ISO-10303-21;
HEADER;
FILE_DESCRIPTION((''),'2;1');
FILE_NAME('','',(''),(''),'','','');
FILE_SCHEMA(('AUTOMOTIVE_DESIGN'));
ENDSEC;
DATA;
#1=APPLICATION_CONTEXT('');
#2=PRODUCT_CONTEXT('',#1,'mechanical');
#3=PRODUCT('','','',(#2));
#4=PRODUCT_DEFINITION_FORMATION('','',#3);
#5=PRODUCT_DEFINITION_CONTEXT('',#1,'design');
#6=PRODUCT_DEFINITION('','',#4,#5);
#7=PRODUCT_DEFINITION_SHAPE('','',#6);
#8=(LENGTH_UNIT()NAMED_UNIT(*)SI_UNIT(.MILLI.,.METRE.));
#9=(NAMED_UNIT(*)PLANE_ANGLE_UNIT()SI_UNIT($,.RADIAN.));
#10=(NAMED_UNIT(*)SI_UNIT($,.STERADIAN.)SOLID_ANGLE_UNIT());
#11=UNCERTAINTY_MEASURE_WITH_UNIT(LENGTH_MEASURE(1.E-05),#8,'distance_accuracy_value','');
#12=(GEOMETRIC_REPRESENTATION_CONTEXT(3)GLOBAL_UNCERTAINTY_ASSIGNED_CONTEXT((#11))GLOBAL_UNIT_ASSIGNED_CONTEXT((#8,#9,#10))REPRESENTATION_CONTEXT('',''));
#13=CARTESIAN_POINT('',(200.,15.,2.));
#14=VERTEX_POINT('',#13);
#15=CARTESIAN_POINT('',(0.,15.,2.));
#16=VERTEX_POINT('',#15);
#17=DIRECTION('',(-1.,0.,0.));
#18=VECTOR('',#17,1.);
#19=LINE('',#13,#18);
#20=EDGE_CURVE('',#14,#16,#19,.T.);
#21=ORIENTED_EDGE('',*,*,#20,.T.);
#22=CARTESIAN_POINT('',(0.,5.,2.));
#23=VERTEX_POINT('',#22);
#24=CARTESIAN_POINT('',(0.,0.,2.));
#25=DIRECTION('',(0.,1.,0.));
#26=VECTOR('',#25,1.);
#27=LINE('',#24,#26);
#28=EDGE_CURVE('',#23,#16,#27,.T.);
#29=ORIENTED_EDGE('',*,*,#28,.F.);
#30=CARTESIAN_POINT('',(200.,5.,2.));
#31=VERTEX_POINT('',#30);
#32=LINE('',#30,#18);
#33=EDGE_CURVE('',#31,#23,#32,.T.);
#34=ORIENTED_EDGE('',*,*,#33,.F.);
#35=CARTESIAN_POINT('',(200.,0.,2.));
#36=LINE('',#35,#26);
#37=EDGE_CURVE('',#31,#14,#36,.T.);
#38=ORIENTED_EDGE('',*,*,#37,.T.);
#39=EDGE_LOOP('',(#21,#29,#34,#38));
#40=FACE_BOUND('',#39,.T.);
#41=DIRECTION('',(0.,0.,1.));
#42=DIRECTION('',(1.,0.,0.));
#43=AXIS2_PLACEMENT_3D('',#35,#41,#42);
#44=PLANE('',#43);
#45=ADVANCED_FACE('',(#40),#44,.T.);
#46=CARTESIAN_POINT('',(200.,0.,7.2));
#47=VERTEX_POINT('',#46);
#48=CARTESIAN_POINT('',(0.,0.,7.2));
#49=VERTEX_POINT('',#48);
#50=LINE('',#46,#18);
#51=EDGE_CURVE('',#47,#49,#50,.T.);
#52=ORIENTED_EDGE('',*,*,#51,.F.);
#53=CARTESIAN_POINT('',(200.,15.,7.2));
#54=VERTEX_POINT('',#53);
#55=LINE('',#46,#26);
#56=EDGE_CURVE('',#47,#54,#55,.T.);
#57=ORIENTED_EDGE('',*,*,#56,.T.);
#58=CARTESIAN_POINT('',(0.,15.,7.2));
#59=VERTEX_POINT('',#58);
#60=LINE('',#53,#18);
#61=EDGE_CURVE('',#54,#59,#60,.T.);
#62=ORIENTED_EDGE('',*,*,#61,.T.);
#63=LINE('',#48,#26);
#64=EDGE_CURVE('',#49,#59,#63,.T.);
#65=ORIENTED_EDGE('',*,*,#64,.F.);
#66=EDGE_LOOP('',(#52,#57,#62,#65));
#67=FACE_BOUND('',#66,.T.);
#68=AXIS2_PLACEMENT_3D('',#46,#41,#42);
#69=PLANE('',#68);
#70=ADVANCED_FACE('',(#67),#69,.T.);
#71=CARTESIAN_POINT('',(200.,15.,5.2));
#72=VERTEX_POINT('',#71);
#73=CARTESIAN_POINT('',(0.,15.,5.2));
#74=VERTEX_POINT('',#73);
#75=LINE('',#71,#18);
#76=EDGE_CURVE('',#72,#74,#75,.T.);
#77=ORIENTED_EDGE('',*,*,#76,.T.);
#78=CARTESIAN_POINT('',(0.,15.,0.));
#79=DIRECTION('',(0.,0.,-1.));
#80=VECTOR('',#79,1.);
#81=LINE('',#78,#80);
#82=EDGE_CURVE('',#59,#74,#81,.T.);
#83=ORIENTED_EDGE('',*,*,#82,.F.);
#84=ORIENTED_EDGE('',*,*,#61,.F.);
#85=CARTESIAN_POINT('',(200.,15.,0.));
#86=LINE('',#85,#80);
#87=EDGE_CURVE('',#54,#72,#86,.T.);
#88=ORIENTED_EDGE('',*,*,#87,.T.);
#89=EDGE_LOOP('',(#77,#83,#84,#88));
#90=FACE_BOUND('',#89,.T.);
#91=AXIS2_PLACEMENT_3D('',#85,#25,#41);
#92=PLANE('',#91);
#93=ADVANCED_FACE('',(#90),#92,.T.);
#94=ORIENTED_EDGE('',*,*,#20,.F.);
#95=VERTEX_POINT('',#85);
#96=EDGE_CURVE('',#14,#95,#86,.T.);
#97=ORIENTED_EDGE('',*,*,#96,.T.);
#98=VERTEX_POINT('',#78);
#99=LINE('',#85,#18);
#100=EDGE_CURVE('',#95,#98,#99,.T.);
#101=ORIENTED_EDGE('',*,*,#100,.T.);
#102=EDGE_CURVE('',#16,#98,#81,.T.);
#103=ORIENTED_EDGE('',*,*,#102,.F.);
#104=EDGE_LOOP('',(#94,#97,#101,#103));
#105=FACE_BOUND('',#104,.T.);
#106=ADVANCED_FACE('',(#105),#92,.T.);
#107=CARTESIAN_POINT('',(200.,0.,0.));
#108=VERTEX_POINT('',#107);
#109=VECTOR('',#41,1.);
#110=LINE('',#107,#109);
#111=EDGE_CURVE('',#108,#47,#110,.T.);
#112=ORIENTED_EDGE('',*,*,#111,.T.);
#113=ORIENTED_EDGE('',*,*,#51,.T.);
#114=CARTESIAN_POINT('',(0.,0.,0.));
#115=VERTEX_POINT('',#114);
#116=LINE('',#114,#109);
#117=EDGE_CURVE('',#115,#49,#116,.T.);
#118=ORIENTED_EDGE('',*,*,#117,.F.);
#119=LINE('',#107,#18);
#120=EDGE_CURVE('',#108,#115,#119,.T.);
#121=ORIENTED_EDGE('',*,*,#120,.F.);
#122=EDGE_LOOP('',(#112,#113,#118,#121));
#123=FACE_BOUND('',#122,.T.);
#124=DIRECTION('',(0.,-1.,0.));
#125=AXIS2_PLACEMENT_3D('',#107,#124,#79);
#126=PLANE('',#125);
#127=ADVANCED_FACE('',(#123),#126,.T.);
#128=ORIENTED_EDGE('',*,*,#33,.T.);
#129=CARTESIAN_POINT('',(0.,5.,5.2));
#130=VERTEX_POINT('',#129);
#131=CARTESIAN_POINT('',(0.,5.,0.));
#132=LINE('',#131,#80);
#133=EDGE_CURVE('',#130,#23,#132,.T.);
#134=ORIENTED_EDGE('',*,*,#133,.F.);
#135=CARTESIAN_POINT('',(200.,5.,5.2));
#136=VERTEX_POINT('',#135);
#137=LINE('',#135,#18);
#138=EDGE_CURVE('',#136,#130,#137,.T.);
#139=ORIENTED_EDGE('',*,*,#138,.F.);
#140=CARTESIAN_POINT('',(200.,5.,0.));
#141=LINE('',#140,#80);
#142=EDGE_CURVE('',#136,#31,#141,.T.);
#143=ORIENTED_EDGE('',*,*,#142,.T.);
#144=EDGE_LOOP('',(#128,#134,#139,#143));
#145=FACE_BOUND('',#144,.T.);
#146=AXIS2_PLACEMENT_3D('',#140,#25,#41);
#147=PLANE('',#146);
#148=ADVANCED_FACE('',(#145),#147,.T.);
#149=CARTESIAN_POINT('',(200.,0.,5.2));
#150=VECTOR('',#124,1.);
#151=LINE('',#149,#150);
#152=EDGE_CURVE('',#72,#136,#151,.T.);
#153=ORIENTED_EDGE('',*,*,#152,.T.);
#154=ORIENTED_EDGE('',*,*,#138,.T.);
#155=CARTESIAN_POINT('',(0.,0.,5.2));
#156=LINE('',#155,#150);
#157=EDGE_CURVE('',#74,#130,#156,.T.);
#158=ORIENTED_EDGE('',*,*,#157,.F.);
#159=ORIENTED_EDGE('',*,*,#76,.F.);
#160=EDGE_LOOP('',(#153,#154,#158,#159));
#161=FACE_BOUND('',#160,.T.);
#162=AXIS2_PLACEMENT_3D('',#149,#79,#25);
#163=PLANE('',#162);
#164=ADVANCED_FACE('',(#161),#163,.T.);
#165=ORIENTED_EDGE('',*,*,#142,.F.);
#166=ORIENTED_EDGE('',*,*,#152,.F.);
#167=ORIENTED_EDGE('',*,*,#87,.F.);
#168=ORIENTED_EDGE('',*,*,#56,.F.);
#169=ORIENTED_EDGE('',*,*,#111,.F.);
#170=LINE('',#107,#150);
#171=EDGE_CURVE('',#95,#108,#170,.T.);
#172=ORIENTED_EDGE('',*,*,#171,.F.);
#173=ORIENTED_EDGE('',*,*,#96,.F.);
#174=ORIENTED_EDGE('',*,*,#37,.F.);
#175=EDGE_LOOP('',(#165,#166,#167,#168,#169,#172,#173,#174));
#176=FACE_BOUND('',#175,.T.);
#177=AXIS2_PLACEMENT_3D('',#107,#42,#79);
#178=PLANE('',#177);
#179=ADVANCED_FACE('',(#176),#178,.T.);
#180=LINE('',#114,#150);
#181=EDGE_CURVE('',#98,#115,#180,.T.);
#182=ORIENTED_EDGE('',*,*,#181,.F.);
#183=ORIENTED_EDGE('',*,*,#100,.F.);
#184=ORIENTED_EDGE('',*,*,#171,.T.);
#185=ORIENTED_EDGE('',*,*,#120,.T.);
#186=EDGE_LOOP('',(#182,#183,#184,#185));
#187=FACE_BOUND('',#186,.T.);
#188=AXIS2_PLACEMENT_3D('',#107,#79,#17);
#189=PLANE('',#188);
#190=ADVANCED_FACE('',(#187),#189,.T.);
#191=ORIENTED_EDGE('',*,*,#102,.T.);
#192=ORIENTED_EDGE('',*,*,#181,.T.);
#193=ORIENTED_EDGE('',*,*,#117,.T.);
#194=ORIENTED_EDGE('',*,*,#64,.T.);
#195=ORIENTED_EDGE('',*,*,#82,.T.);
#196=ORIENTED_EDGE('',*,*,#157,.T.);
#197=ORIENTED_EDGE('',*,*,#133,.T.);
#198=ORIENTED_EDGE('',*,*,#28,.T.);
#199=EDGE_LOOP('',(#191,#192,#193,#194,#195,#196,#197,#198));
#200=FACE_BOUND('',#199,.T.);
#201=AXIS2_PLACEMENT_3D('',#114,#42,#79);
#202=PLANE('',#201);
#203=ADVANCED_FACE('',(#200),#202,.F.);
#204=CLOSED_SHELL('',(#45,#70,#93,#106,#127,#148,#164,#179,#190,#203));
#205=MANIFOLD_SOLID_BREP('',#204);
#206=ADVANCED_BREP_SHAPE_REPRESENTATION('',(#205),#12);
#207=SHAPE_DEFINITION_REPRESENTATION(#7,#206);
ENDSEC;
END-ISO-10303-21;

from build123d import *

# Parameters (mm, degrees)
BOSS_EXTRUDE2_DEPTH = 200


with BuildPart() as part:
    # Sketch1 → Boss-Extrude2 (new body)
    with BuildSketch(Plane(origin=(0, 0, 0), x_dir=(0, 0, -1), z_dir=(1, 0, 0))):
        Polygon((-7.2, 0), (-2, 0), (-2, 5), (-5.2, 5), (-5.2, 15), (-7.2, 15), align=None)
        Polygon((0, 0), (0, 9.691340444), (0, 15), (-2, 15), (-2, 5), (-2, 0), align=None)
    extrude(amount=BOSS_EXTRUDE2_DEPTH)


solid = part.part
